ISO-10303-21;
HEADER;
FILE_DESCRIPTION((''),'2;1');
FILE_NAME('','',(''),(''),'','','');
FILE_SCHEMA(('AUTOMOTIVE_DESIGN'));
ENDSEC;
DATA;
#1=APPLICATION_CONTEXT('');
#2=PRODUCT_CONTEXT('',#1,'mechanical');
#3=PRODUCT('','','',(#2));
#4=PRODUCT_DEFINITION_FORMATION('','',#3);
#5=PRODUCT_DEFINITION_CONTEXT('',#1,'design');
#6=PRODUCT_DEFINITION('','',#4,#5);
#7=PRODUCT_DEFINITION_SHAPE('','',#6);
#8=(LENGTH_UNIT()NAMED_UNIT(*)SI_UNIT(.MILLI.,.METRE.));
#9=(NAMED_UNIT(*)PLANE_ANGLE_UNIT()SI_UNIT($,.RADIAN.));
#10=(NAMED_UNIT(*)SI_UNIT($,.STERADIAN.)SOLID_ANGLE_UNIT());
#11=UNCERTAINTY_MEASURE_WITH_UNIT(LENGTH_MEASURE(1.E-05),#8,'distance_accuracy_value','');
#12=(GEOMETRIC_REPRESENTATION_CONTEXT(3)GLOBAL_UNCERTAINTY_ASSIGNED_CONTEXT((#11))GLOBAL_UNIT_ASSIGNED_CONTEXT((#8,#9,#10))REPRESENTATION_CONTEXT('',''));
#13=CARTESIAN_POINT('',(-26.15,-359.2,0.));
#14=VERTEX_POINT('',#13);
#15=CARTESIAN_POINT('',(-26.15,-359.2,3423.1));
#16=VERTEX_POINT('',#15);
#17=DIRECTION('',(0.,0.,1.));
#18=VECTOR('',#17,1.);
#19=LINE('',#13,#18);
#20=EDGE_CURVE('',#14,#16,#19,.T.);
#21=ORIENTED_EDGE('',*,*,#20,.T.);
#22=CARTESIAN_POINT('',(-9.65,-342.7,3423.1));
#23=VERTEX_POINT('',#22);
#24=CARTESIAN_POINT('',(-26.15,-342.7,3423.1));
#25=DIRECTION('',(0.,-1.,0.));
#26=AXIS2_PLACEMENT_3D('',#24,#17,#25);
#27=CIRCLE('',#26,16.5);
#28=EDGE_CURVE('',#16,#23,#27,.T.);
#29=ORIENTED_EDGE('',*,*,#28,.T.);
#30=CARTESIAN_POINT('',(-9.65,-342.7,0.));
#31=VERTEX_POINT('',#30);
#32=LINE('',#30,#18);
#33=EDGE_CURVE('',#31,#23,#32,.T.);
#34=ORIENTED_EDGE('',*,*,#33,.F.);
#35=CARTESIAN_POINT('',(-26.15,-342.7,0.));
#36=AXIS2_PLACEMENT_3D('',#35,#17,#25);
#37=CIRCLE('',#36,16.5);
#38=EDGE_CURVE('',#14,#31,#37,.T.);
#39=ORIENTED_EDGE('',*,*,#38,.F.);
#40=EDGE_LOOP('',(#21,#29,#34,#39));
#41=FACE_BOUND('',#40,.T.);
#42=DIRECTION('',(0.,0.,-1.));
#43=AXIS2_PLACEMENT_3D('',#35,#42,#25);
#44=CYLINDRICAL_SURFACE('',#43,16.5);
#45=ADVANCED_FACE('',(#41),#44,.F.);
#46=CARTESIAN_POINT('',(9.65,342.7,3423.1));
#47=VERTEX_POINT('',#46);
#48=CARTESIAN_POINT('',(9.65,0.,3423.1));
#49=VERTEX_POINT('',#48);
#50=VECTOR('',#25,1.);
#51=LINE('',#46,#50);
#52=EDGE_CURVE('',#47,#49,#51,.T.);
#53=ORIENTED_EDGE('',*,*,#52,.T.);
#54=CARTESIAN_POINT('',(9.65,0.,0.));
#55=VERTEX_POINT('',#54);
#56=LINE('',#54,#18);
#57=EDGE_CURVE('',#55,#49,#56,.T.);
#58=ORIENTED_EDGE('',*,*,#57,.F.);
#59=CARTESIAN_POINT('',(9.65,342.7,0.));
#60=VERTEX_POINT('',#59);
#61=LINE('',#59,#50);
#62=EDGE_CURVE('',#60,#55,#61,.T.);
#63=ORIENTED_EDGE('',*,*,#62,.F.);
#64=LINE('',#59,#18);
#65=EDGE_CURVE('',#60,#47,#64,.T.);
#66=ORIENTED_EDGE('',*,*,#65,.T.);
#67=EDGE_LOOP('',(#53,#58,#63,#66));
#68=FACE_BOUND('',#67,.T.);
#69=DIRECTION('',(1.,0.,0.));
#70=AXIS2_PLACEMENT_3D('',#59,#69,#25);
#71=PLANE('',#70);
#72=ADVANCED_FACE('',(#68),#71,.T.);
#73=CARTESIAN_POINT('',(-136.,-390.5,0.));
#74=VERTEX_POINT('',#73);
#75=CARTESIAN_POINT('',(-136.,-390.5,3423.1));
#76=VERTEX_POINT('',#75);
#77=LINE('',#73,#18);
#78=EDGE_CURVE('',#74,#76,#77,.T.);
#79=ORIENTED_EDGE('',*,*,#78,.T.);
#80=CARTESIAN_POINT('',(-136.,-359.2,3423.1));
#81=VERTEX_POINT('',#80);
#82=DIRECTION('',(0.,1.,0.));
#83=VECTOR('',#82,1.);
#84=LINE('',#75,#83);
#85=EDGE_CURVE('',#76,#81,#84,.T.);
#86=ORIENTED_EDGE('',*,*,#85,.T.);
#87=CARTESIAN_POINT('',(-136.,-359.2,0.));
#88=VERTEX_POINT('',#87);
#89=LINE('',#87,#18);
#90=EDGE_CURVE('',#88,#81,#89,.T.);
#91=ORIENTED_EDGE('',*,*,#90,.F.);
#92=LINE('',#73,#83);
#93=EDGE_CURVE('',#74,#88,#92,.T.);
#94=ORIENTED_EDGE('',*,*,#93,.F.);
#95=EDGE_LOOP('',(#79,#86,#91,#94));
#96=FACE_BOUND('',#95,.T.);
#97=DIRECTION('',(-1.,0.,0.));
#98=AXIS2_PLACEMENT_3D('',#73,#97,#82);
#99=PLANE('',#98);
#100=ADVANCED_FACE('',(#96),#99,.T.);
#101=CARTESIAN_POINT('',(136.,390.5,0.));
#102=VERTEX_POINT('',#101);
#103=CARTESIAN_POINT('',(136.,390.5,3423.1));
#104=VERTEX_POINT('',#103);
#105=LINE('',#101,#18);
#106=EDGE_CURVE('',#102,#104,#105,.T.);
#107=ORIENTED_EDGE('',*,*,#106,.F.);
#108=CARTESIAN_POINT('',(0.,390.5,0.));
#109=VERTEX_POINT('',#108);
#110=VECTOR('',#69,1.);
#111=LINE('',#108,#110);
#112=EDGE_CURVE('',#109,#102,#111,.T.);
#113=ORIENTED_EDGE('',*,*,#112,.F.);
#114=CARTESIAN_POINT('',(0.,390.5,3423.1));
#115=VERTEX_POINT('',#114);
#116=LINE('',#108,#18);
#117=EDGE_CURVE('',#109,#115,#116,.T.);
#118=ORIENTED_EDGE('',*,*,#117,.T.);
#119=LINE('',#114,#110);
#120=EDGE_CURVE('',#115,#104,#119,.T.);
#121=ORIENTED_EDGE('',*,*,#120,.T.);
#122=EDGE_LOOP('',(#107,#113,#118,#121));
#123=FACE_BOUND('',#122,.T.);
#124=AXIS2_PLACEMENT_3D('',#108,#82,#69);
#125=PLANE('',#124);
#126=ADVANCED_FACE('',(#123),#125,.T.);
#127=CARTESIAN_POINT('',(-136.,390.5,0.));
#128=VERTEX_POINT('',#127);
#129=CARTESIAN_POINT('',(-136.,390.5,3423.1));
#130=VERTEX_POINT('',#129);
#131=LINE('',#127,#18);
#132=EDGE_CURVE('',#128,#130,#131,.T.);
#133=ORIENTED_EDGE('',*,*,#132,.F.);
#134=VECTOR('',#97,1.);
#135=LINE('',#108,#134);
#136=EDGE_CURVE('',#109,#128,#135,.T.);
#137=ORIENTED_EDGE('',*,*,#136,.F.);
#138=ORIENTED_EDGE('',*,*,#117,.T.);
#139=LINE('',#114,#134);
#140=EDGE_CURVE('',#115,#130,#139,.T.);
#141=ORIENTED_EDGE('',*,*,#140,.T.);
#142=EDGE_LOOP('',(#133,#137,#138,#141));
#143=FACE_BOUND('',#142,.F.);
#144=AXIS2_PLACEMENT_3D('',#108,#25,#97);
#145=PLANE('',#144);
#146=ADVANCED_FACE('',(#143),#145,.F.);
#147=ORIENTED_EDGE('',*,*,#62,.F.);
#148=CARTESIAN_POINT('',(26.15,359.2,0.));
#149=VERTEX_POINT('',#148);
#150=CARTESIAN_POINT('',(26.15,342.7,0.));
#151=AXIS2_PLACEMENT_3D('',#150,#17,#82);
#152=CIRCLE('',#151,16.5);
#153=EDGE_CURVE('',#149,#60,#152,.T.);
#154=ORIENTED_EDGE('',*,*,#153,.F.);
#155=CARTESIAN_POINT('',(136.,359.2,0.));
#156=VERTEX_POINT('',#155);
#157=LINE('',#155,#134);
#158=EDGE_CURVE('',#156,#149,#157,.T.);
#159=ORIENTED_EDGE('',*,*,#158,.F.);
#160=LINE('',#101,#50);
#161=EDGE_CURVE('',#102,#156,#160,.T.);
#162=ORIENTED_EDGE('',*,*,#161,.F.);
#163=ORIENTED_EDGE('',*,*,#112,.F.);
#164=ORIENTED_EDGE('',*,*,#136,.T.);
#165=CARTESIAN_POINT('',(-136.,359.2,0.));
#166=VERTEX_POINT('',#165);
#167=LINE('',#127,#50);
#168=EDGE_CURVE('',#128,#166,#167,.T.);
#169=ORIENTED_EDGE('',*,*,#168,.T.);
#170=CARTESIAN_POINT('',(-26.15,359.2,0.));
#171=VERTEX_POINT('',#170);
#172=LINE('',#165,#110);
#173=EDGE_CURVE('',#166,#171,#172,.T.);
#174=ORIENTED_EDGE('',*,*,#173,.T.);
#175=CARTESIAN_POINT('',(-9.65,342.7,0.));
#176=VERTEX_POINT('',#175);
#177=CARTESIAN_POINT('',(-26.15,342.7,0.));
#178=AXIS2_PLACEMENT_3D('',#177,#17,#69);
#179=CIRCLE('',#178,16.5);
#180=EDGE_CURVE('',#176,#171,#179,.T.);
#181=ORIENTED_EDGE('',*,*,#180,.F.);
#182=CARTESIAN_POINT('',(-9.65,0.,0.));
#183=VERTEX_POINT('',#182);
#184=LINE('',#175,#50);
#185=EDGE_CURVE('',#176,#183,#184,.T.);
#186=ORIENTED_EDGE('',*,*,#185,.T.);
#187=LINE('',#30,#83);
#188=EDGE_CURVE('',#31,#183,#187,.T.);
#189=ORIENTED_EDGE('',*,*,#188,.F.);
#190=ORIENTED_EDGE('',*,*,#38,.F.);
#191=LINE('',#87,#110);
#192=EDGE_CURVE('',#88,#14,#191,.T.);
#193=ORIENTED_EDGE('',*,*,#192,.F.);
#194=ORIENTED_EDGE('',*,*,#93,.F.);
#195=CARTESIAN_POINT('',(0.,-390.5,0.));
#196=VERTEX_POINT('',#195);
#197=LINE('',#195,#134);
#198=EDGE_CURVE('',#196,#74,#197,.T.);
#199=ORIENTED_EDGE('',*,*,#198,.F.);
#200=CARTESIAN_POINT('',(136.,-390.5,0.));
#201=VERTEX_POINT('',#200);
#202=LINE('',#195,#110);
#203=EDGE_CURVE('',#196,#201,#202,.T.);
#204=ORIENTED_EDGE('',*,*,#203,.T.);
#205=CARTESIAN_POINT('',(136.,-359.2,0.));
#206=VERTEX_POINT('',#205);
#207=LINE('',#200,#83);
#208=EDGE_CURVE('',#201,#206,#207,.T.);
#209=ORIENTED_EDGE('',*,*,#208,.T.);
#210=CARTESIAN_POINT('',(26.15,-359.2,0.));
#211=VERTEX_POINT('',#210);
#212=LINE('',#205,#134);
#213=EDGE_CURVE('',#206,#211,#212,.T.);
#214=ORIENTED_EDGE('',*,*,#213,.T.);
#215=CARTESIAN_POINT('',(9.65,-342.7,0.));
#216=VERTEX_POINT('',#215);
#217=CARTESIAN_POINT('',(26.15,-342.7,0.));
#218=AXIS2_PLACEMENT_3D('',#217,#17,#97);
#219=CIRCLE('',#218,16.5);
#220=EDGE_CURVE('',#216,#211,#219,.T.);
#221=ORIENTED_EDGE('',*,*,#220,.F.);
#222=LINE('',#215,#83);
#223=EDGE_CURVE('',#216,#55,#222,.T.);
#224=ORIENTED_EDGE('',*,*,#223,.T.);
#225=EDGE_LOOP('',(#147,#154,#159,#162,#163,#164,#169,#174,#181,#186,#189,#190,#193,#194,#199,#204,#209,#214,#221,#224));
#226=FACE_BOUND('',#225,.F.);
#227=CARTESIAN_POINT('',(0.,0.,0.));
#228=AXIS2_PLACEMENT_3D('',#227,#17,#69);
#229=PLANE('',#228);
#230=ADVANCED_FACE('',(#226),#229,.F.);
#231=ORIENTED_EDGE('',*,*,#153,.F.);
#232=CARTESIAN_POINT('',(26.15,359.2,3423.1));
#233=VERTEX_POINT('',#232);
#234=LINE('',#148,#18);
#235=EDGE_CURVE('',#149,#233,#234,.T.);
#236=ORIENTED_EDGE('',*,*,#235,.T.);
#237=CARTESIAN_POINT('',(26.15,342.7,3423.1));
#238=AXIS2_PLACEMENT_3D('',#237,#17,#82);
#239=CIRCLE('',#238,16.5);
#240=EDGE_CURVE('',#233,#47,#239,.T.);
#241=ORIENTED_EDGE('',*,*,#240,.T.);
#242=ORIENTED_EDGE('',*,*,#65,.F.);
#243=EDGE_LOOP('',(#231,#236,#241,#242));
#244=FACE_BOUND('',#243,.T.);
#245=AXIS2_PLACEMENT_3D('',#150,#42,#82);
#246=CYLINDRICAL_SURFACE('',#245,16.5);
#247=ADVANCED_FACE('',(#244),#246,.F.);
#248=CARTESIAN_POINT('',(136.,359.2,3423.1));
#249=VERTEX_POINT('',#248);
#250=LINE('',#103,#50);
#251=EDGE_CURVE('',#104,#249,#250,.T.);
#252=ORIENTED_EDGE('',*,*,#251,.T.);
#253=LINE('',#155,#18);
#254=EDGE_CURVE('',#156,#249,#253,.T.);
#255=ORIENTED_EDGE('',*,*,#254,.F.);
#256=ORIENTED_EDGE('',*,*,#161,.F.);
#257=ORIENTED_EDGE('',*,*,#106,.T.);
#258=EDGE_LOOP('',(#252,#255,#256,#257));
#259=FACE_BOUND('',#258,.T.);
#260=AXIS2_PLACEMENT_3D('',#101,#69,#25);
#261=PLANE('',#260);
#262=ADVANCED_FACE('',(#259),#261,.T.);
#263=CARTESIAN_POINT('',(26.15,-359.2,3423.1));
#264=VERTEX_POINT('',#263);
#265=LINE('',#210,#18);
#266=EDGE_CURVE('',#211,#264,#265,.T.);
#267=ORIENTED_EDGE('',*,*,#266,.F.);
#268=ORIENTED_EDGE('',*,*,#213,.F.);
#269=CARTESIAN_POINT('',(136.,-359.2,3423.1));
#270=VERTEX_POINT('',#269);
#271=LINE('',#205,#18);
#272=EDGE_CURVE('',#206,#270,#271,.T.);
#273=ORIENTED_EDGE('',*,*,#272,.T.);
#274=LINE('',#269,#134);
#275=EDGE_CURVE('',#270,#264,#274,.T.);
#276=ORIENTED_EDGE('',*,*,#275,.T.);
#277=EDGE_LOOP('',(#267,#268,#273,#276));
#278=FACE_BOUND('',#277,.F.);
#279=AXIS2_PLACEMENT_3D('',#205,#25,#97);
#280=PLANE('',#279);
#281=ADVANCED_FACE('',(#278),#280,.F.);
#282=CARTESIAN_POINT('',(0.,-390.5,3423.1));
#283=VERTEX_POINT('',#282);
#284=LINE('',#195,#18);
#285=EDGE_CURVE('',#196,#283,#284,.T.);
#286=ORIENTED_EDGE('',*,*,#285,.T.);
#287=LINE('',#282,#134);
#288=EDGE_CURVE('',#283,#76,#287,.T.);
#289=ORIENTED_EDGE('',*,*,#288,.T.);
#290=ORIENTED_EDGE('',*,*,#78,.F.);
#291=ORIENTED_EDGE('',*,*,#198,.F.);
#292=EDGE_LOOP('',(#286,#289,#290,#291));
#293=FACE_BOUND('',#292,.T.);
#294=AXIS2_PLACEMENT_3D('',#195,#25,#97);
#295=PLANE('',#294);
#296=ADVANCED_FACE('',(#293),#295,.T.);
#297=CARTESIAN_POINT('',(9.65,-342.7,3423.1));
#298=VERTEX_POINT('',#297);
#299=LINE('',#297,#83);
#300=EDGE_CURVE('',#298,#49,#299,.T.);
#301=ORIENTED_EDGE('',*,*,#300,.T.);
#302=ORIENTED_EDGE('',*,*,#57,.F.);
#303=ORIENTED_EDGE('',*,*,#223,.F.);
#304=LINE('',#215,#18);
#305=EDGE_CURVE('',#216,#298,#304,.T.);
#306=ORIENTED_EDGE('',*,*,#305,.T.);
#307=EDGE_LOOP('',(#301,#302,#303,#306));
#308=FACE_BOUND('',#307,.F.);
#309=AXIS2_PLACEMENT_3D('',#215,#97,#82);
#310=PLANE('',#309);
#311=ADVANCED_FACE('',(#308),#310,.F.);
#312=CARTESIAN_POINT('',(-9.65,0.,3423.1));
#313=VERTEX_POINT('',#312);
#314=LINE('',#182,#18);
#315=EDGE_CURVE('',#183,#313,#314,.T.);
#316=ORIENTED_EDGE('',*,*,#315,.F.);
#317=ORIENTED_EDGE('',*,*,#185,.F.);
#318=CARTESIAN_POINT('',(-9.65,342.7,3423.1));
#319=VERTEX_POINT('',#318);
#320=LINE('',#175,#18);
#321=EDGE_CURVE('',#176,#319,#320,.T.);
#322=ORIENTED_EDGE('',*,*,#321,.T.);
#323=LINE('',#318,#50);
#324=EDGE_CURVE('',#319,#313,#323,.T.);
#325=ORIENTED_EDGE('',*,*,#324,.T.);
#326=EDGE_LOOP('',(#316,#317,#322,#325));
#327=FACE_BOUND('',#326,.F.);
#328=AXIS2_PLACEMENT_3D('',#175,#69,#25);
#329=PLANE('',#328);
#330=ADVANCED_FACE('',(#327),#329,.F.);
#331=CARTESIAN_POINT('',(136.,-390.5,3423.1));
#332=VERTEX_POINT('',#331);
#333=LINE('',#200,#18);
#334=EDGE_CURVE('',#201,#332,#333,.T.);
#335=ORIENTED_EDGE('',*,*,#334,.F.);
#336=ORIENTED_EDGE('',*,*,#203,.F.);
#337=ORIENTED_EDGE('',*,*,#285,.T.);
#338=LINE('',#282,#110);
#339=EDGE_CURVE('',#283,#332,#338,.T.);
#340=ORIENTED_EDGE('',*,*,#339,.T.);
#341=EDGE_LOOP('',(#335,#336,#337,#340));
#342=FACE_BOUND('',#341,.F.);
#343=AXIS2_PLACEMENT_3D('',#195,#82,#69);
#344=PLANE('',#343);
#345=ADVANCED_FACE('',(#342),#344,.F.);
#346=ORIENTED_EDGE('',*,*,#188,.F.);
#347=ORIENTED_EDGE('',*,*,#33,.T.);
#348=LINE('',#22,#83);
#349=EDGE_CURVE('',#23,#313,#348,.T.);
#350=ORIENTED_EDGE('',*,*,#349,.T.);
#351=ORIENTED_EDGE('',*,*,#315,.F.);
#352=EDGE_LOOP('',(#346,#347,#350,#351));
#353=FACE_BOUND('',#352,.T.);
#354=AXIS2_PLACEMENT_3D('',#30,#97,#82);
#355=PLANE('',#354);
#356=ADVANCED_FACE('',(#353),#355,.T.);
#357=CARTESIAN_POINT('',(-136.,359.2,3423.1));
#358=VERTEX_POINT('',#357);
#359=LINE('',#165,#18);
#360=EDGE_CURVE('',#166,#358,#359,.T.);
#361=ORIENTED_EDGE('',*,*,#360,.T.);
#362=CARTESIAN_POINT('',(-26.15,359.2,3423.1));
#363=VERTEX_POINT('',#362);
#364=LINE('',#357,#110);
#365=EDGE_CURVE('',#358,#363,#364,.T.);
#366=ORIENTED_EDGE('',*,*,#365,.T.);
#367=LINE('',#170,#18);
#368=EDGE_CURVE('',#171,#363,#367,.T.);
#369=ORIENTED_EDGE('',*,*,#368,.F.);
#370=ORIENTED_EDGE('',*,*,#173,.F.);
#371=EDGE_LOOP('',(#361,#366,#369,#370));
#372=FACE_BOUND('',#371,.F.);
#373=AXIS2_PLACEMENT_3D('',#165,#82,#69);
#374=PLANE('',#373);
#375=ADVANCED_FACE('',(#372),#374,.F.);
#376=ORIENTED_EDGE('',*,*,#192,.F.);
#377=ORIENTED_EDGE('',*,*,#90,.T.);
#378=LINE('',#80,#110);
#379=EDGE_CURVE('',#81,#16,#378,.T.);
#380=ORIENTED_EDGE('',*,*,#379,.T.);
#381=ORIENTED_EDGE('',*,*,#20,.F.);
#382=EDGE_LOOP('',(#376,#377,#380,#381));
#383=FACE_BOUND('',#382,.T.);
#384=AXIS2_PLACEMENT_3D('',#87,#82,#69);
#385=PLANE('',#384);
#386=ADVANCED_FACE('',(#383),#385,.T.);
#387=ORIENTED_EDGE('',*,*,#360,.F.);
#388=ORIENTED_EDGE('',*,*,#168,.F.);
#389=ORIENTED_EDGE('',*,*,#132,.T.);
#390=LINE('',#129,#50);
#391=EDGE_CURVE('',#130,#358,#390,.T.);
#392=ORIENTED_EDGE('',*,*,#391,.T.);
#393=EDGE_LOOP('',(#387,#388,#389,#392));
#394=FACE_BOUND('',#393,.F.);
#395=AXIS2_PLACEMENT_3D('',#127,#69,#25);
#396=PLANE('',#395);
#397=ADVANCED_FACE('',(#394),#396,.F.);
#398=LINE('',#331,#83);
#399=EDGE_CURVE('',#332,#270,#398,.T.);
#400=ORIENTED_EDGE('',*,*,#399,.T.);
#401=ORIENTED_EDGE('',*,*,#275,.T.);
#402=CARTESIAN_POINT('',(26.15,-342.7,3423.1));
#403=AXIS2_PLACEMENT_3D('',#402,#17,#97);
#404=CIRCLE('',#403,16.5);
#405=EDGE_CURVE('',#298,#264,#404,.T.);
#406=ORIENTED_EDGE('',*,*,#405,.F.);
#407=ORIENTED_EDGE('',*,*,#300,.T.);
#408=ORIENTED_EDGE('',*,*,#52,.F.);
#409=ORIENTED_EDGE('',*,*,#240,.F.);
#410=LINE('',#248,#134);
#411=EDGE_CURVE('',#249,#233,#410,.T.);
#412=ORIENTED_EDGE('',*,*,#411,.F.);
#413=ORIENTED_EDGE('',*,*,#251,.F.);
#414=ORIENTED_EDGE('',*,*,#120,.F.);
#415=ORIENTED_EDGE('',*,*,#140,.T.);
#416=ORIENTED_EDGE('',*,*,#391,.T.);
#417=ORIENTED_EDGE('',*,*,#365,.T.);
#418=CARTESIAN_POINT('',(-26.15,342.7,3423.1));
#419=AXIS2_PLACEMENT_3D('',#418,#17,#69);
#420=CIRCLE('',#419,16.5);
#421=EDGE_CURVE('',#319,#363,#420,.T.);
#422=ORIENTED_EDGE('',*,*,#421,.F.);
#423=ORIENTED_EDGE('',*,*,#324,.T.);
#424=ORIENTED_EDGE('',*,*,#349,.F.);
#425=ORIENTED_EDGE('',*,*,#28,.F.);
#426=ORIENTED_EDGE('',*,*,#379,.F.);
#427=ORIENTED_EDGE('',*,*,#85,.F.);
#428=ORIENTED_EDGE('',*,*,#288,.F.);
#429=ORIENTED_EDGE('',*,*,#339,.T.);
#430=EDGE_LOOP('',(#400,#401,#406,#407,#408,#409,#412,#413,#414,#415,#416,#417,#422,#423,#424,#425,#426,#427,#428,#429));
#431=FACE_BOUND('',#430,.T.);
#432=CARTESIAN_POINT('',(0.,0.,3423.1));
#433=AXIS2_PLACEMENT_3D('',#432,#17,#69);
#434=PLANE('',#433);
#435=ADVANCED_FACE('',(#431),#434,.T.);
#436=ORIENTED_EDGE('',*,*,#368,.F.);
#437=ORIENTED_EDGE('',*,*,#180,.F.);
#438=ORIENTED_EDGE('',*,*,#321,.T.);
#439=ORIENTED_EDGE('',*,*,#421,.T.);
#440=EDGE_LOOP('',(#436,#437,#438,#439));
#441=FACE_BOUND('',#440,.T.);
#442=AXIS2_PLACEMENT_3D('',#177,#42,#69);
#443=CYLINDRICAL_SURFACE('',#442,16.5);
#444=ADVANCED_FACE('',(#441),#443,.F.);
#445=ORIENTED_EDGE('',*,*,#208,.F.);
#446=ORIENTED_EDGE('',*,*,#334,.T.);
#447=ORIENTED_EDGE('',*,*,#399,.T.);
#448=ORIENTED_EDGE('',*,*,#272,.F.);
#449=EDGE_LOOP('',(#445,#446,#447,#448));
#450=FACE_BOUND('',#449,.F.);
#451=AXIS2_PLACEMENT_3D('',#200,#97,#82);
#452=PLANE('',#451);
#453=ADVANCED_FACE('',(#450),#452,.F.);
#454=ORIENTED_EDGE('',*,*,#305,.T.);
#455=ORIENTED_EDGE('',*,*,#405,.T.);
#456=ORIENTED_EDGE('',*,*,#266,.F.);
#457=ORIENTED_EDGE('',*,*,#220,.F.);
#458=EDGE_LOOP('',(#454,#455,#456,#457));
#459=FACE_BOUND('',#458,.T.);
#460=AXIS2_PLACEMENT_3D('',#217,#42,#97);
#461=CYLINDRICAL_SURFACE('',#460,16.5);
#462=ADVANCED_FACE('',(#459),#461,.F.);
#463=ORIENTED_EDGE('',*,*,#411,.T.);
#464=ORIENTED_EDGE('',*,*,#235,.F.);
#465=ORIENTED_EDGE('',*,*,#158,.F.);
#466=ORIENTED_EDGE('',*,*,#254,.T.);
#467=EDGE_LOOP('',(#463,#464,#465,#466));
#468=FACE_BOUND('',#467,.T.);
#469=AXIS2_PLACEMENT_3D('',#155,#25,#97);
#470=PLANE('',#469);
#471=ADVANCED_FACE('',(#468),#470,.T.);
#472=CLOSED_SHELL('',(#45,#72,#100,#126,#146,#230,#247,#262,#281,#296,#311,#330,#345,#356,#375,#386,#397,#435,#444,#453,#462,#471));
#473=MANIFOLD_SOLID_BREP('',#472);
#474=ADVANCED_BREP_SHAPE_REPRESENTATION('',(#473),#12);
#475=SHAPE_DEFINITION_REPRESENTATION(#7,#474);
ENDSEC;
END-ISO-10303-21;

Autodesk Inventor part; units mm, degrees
ref_plane "YZ Plane" through (0, 0, 0) normal (1, 0, 0) x (0, 1, 0)
ref_plane "Start plane" through (0, 0, 0) normal (0, 0, 1) x (1, 0, 0)
ref_plane "End plane" through (0, 0, 3423.1) normal (0, 0, 1) x (1, 0, 0)
sketch "Sketch" plane through (0, 0, 0) normal (0, 0, 1) x (1, 0, 0)
  line L0 (-136, -390.5) -> (-136, -359.2)
  line L1 (-136, -359.2) -> (-26.15, -359.2)
  line L2 (-9.65, -342.7) -> (-9.65, 0)
  line L3 (-9.65, 0) -> (0, 0) construction
  line L4 (0, 0) -> (0, -390.5) construction
  line L5 (0, -390.5) -> (-136, -390.5)
  line L6 (-60, 0) -> (80, 0) construction
  line L7 (0, -60) -> (0, 80) construction
  line L8 (136, -390.5) -> (136, -359.2)
  line L9 (136, -359.2) -> (26.15, -359.2)
  line L10 (9.65, -342.7) -> (9.65, 0)
  line L11 (9.65, 0) -> (0, 0) construction
  line L12 (0, -390.5) -> (136, -390.5)
  line L13 (-136, 390.5) -> (-136, 359.2)
  line L14 (-136, 359.2) -> (-26.15, 359.2)
  line L15 (-9.65, 342.7) -> (-9.65, 0)
  line L16 (0, 390.5) -> (-136, 390.5)
  line L17 (136, 390.5) -> (136, 359.2)
  line L18 (136, 359.2) -> (26.15, 359.2)
  line L19 (0, 390.5) -> (136, 390.5)
  line L20 (9.65, 342.7) -> (9.65, 0)
  arc A0 (-9.65, 342.7) -> (-26.15, 359.2) centre (-26.15, 342.7) ccw
  arc A1 (26.15, 359.2) -> (9.65, 342.7) centre (26.15, 342.7) ccw
  arc A2 (9.65, -342.7) -> (26.15, -359.2) centre (26.15, -342.7) ccw
  arc A3 (-26.15, -359.2) -> (-9.65, -342.7) centre (-26.15, -342.7) ccw
  line L21 (0, 108) -> (0, -88) construction
  line L22 (-88, 0) -> (108, 0) construction
  point P0 (-9.65, -359.2)
  point P1 (9.65, -359.2)
  point P2 (-9.65, 359.2)
  point P3 (9.65, 359.2)
  dimension "d1" = 390.5
  dimension "d2" = 31.3
  dimension "d3" = 136
  dimension "d4" = 9.65
  dimension "d10" = 16.5
extrude "Body" add sketch "Sketch" along normal up to surface (3423.1 mm away) from surface at 0
sketch "Sketch4" plane through (0, 0, 0) normal (0, 0, 1) x (1, 0, 0)
  line L0 (0, 0) -> (10, 0)
ref_plane "Work Plane3" through (0, 0, 0) normal (0, -1, 0) x (1, 0, 0)
sketch "Sketch5" plane through (0, 0, 0) normal (0, -1, 0) x (1, 0, 0)
  line L0 (-2, 0) -> (12, 0) projected
  line L1 (-2, 3423.1) -> (12, 3423.1) projected
  dimension "d14" = 3423.1
equation "\"d1\" = 0.5 * G_H"
equation "\"d2\" = G_T1"
equation "\"d3\" = 0.5 * G_W"
equation "\"d4\" = 0.5 * G_T"
equation "\"d10\" = G_IR"
equation "\"d5\" = G_L"
equation "\"G_W\" = 272"
equation "\"G_H\" = 781"
equation "\"G_T\" = 19.3"
equation "\"G_T1\" = 31.3"
equation "\"G_IR\" = 16.5"
equation "\"G_L\" = d14"
equation "\"G_OFFSET_START\" = 0"
equation "\"G_OFFSET_END\" = 0"
equation "\"d12\" = G_OFFSET_END + B_L"
equation "\"B_L\" = 3423.1"
properties part number "AS 3679-1990 - 760 UB - 244 - 3423.1" material "Steel, Mild"
